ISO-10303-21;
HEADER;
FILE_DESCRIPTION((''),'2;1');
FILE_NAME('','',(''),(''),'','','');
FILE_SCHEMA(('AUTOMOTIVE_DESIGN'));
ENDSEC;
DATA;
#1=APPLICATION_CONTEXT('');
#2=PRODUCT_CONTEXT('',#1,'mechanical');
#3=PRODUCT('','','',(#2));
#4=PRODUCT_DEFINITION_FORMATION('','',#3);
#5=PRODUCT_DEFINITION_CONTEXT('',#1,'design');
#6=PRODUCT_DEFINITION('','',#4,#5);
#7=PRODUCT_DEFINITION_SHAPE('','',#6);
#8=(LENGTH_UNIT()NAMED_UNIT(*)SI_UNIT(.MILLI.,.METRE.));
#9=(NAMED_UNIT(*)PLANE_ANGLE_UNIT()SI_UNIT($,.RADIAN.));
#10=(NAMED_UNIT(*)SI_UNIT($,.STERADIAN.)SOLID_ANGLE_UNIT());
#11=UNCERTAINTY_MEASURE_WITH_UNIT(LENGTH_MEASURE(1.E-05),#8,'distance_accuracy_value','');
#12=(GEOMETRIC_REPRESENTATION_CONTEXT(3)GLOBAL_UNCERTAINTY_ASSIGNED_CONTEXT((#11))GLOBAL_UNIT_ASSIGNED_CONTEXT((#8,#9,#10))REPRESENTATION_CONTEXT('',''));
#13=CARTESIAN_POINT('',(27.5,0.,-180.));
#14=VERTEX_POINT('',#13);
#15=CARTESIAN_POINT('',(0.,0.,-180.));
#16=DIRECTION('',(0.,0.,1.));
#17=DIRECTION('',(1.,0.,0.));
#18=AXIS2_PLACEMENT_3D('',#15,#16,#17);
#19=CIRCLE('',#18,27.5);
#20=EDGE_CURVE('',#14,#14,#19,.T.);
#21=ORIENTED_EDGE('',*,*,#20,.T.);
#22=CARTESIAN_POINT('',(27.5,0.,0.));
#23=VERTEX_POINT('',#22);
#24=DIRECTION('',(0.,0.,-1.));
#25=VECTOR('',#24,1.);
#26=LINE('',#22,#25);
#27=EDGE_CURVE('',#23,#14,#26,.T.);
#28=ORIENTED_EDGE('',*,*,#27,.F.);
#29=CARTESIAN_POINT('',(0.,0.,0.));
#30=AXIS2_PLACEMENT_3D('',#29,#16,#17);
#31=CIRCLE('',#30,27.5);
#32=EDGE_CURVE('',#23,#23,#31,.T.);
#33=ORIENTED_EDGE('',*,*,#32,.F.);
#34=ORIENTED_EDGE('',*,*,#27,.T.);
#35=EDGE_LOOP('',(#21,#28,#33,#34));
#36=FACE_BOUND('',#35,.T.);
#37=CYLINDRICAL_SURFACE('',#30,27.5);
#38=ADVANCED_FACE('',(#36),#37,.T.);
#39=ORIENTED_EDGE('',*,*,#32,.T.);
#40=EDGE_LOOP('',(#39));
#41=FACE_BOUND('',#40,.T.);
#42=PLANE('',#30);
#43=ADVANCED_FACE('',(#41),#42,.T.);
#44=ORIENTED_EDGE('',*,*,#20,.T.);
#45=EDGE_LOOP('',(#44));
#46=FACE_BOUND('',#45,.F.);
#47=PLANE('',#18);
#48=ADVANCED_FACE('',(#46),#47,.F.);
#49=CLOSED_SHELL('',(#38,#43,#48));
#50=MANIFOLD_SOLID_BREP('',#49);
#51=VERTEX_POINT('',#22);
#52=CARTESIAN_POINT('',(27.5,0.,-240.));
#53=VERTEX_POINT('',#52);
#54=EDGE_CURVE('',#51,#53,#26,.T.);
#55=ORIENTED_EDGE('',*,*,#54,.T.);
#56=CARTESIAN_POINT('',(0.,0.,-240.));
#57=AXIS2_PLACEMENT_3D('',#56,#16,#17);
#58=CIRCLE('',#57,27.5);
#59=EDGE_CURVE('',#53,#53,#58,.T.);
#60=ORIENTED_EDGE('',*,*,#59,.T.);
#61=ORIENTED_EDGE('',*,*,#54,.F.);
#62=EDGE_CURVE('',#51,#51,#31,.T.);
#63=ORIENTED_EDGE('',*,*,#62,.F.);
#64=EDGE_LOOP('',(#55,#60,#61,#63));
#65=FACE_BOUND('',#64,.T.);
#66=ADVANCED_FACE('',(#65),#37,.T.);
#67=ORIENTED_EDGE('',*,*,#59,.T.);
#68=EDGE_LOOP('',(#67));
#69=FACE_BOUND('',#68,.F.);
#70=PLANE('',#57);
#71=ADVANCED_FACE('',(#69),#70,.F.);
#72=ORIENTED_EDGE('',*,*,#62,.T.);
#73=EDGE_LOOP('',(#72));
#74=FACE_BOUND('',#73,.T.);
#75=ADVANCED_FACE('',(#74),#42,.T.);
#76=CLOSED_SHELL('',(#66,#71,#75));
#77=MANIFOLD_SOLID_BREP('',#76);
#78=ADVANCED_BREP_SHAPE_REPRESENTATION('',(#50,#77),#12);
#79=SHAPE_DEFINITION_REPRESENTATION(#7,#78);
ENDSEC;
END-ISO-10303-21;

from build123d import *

# Parameters (mm, degrees)
F0_R     = 27.5
F1_DEPTH = 180
F2_DEPTH = 240


with BuildPart() as f1:
    # F0 (on Top) → F1 (new body)
    with BuildSketch(Plane.XY):
        Circle(F0_R)
    extrude(amount=-F1_DEPTH)


with BuildPart() as f2:
    # F0 (on Top) → F2 (new body)
    with BuildSketch(Plane.XY):
        Circle(F0_R)
    extrude(amount=-F2_DEPTH)


solid = Compound([f1.part, f2.part])
